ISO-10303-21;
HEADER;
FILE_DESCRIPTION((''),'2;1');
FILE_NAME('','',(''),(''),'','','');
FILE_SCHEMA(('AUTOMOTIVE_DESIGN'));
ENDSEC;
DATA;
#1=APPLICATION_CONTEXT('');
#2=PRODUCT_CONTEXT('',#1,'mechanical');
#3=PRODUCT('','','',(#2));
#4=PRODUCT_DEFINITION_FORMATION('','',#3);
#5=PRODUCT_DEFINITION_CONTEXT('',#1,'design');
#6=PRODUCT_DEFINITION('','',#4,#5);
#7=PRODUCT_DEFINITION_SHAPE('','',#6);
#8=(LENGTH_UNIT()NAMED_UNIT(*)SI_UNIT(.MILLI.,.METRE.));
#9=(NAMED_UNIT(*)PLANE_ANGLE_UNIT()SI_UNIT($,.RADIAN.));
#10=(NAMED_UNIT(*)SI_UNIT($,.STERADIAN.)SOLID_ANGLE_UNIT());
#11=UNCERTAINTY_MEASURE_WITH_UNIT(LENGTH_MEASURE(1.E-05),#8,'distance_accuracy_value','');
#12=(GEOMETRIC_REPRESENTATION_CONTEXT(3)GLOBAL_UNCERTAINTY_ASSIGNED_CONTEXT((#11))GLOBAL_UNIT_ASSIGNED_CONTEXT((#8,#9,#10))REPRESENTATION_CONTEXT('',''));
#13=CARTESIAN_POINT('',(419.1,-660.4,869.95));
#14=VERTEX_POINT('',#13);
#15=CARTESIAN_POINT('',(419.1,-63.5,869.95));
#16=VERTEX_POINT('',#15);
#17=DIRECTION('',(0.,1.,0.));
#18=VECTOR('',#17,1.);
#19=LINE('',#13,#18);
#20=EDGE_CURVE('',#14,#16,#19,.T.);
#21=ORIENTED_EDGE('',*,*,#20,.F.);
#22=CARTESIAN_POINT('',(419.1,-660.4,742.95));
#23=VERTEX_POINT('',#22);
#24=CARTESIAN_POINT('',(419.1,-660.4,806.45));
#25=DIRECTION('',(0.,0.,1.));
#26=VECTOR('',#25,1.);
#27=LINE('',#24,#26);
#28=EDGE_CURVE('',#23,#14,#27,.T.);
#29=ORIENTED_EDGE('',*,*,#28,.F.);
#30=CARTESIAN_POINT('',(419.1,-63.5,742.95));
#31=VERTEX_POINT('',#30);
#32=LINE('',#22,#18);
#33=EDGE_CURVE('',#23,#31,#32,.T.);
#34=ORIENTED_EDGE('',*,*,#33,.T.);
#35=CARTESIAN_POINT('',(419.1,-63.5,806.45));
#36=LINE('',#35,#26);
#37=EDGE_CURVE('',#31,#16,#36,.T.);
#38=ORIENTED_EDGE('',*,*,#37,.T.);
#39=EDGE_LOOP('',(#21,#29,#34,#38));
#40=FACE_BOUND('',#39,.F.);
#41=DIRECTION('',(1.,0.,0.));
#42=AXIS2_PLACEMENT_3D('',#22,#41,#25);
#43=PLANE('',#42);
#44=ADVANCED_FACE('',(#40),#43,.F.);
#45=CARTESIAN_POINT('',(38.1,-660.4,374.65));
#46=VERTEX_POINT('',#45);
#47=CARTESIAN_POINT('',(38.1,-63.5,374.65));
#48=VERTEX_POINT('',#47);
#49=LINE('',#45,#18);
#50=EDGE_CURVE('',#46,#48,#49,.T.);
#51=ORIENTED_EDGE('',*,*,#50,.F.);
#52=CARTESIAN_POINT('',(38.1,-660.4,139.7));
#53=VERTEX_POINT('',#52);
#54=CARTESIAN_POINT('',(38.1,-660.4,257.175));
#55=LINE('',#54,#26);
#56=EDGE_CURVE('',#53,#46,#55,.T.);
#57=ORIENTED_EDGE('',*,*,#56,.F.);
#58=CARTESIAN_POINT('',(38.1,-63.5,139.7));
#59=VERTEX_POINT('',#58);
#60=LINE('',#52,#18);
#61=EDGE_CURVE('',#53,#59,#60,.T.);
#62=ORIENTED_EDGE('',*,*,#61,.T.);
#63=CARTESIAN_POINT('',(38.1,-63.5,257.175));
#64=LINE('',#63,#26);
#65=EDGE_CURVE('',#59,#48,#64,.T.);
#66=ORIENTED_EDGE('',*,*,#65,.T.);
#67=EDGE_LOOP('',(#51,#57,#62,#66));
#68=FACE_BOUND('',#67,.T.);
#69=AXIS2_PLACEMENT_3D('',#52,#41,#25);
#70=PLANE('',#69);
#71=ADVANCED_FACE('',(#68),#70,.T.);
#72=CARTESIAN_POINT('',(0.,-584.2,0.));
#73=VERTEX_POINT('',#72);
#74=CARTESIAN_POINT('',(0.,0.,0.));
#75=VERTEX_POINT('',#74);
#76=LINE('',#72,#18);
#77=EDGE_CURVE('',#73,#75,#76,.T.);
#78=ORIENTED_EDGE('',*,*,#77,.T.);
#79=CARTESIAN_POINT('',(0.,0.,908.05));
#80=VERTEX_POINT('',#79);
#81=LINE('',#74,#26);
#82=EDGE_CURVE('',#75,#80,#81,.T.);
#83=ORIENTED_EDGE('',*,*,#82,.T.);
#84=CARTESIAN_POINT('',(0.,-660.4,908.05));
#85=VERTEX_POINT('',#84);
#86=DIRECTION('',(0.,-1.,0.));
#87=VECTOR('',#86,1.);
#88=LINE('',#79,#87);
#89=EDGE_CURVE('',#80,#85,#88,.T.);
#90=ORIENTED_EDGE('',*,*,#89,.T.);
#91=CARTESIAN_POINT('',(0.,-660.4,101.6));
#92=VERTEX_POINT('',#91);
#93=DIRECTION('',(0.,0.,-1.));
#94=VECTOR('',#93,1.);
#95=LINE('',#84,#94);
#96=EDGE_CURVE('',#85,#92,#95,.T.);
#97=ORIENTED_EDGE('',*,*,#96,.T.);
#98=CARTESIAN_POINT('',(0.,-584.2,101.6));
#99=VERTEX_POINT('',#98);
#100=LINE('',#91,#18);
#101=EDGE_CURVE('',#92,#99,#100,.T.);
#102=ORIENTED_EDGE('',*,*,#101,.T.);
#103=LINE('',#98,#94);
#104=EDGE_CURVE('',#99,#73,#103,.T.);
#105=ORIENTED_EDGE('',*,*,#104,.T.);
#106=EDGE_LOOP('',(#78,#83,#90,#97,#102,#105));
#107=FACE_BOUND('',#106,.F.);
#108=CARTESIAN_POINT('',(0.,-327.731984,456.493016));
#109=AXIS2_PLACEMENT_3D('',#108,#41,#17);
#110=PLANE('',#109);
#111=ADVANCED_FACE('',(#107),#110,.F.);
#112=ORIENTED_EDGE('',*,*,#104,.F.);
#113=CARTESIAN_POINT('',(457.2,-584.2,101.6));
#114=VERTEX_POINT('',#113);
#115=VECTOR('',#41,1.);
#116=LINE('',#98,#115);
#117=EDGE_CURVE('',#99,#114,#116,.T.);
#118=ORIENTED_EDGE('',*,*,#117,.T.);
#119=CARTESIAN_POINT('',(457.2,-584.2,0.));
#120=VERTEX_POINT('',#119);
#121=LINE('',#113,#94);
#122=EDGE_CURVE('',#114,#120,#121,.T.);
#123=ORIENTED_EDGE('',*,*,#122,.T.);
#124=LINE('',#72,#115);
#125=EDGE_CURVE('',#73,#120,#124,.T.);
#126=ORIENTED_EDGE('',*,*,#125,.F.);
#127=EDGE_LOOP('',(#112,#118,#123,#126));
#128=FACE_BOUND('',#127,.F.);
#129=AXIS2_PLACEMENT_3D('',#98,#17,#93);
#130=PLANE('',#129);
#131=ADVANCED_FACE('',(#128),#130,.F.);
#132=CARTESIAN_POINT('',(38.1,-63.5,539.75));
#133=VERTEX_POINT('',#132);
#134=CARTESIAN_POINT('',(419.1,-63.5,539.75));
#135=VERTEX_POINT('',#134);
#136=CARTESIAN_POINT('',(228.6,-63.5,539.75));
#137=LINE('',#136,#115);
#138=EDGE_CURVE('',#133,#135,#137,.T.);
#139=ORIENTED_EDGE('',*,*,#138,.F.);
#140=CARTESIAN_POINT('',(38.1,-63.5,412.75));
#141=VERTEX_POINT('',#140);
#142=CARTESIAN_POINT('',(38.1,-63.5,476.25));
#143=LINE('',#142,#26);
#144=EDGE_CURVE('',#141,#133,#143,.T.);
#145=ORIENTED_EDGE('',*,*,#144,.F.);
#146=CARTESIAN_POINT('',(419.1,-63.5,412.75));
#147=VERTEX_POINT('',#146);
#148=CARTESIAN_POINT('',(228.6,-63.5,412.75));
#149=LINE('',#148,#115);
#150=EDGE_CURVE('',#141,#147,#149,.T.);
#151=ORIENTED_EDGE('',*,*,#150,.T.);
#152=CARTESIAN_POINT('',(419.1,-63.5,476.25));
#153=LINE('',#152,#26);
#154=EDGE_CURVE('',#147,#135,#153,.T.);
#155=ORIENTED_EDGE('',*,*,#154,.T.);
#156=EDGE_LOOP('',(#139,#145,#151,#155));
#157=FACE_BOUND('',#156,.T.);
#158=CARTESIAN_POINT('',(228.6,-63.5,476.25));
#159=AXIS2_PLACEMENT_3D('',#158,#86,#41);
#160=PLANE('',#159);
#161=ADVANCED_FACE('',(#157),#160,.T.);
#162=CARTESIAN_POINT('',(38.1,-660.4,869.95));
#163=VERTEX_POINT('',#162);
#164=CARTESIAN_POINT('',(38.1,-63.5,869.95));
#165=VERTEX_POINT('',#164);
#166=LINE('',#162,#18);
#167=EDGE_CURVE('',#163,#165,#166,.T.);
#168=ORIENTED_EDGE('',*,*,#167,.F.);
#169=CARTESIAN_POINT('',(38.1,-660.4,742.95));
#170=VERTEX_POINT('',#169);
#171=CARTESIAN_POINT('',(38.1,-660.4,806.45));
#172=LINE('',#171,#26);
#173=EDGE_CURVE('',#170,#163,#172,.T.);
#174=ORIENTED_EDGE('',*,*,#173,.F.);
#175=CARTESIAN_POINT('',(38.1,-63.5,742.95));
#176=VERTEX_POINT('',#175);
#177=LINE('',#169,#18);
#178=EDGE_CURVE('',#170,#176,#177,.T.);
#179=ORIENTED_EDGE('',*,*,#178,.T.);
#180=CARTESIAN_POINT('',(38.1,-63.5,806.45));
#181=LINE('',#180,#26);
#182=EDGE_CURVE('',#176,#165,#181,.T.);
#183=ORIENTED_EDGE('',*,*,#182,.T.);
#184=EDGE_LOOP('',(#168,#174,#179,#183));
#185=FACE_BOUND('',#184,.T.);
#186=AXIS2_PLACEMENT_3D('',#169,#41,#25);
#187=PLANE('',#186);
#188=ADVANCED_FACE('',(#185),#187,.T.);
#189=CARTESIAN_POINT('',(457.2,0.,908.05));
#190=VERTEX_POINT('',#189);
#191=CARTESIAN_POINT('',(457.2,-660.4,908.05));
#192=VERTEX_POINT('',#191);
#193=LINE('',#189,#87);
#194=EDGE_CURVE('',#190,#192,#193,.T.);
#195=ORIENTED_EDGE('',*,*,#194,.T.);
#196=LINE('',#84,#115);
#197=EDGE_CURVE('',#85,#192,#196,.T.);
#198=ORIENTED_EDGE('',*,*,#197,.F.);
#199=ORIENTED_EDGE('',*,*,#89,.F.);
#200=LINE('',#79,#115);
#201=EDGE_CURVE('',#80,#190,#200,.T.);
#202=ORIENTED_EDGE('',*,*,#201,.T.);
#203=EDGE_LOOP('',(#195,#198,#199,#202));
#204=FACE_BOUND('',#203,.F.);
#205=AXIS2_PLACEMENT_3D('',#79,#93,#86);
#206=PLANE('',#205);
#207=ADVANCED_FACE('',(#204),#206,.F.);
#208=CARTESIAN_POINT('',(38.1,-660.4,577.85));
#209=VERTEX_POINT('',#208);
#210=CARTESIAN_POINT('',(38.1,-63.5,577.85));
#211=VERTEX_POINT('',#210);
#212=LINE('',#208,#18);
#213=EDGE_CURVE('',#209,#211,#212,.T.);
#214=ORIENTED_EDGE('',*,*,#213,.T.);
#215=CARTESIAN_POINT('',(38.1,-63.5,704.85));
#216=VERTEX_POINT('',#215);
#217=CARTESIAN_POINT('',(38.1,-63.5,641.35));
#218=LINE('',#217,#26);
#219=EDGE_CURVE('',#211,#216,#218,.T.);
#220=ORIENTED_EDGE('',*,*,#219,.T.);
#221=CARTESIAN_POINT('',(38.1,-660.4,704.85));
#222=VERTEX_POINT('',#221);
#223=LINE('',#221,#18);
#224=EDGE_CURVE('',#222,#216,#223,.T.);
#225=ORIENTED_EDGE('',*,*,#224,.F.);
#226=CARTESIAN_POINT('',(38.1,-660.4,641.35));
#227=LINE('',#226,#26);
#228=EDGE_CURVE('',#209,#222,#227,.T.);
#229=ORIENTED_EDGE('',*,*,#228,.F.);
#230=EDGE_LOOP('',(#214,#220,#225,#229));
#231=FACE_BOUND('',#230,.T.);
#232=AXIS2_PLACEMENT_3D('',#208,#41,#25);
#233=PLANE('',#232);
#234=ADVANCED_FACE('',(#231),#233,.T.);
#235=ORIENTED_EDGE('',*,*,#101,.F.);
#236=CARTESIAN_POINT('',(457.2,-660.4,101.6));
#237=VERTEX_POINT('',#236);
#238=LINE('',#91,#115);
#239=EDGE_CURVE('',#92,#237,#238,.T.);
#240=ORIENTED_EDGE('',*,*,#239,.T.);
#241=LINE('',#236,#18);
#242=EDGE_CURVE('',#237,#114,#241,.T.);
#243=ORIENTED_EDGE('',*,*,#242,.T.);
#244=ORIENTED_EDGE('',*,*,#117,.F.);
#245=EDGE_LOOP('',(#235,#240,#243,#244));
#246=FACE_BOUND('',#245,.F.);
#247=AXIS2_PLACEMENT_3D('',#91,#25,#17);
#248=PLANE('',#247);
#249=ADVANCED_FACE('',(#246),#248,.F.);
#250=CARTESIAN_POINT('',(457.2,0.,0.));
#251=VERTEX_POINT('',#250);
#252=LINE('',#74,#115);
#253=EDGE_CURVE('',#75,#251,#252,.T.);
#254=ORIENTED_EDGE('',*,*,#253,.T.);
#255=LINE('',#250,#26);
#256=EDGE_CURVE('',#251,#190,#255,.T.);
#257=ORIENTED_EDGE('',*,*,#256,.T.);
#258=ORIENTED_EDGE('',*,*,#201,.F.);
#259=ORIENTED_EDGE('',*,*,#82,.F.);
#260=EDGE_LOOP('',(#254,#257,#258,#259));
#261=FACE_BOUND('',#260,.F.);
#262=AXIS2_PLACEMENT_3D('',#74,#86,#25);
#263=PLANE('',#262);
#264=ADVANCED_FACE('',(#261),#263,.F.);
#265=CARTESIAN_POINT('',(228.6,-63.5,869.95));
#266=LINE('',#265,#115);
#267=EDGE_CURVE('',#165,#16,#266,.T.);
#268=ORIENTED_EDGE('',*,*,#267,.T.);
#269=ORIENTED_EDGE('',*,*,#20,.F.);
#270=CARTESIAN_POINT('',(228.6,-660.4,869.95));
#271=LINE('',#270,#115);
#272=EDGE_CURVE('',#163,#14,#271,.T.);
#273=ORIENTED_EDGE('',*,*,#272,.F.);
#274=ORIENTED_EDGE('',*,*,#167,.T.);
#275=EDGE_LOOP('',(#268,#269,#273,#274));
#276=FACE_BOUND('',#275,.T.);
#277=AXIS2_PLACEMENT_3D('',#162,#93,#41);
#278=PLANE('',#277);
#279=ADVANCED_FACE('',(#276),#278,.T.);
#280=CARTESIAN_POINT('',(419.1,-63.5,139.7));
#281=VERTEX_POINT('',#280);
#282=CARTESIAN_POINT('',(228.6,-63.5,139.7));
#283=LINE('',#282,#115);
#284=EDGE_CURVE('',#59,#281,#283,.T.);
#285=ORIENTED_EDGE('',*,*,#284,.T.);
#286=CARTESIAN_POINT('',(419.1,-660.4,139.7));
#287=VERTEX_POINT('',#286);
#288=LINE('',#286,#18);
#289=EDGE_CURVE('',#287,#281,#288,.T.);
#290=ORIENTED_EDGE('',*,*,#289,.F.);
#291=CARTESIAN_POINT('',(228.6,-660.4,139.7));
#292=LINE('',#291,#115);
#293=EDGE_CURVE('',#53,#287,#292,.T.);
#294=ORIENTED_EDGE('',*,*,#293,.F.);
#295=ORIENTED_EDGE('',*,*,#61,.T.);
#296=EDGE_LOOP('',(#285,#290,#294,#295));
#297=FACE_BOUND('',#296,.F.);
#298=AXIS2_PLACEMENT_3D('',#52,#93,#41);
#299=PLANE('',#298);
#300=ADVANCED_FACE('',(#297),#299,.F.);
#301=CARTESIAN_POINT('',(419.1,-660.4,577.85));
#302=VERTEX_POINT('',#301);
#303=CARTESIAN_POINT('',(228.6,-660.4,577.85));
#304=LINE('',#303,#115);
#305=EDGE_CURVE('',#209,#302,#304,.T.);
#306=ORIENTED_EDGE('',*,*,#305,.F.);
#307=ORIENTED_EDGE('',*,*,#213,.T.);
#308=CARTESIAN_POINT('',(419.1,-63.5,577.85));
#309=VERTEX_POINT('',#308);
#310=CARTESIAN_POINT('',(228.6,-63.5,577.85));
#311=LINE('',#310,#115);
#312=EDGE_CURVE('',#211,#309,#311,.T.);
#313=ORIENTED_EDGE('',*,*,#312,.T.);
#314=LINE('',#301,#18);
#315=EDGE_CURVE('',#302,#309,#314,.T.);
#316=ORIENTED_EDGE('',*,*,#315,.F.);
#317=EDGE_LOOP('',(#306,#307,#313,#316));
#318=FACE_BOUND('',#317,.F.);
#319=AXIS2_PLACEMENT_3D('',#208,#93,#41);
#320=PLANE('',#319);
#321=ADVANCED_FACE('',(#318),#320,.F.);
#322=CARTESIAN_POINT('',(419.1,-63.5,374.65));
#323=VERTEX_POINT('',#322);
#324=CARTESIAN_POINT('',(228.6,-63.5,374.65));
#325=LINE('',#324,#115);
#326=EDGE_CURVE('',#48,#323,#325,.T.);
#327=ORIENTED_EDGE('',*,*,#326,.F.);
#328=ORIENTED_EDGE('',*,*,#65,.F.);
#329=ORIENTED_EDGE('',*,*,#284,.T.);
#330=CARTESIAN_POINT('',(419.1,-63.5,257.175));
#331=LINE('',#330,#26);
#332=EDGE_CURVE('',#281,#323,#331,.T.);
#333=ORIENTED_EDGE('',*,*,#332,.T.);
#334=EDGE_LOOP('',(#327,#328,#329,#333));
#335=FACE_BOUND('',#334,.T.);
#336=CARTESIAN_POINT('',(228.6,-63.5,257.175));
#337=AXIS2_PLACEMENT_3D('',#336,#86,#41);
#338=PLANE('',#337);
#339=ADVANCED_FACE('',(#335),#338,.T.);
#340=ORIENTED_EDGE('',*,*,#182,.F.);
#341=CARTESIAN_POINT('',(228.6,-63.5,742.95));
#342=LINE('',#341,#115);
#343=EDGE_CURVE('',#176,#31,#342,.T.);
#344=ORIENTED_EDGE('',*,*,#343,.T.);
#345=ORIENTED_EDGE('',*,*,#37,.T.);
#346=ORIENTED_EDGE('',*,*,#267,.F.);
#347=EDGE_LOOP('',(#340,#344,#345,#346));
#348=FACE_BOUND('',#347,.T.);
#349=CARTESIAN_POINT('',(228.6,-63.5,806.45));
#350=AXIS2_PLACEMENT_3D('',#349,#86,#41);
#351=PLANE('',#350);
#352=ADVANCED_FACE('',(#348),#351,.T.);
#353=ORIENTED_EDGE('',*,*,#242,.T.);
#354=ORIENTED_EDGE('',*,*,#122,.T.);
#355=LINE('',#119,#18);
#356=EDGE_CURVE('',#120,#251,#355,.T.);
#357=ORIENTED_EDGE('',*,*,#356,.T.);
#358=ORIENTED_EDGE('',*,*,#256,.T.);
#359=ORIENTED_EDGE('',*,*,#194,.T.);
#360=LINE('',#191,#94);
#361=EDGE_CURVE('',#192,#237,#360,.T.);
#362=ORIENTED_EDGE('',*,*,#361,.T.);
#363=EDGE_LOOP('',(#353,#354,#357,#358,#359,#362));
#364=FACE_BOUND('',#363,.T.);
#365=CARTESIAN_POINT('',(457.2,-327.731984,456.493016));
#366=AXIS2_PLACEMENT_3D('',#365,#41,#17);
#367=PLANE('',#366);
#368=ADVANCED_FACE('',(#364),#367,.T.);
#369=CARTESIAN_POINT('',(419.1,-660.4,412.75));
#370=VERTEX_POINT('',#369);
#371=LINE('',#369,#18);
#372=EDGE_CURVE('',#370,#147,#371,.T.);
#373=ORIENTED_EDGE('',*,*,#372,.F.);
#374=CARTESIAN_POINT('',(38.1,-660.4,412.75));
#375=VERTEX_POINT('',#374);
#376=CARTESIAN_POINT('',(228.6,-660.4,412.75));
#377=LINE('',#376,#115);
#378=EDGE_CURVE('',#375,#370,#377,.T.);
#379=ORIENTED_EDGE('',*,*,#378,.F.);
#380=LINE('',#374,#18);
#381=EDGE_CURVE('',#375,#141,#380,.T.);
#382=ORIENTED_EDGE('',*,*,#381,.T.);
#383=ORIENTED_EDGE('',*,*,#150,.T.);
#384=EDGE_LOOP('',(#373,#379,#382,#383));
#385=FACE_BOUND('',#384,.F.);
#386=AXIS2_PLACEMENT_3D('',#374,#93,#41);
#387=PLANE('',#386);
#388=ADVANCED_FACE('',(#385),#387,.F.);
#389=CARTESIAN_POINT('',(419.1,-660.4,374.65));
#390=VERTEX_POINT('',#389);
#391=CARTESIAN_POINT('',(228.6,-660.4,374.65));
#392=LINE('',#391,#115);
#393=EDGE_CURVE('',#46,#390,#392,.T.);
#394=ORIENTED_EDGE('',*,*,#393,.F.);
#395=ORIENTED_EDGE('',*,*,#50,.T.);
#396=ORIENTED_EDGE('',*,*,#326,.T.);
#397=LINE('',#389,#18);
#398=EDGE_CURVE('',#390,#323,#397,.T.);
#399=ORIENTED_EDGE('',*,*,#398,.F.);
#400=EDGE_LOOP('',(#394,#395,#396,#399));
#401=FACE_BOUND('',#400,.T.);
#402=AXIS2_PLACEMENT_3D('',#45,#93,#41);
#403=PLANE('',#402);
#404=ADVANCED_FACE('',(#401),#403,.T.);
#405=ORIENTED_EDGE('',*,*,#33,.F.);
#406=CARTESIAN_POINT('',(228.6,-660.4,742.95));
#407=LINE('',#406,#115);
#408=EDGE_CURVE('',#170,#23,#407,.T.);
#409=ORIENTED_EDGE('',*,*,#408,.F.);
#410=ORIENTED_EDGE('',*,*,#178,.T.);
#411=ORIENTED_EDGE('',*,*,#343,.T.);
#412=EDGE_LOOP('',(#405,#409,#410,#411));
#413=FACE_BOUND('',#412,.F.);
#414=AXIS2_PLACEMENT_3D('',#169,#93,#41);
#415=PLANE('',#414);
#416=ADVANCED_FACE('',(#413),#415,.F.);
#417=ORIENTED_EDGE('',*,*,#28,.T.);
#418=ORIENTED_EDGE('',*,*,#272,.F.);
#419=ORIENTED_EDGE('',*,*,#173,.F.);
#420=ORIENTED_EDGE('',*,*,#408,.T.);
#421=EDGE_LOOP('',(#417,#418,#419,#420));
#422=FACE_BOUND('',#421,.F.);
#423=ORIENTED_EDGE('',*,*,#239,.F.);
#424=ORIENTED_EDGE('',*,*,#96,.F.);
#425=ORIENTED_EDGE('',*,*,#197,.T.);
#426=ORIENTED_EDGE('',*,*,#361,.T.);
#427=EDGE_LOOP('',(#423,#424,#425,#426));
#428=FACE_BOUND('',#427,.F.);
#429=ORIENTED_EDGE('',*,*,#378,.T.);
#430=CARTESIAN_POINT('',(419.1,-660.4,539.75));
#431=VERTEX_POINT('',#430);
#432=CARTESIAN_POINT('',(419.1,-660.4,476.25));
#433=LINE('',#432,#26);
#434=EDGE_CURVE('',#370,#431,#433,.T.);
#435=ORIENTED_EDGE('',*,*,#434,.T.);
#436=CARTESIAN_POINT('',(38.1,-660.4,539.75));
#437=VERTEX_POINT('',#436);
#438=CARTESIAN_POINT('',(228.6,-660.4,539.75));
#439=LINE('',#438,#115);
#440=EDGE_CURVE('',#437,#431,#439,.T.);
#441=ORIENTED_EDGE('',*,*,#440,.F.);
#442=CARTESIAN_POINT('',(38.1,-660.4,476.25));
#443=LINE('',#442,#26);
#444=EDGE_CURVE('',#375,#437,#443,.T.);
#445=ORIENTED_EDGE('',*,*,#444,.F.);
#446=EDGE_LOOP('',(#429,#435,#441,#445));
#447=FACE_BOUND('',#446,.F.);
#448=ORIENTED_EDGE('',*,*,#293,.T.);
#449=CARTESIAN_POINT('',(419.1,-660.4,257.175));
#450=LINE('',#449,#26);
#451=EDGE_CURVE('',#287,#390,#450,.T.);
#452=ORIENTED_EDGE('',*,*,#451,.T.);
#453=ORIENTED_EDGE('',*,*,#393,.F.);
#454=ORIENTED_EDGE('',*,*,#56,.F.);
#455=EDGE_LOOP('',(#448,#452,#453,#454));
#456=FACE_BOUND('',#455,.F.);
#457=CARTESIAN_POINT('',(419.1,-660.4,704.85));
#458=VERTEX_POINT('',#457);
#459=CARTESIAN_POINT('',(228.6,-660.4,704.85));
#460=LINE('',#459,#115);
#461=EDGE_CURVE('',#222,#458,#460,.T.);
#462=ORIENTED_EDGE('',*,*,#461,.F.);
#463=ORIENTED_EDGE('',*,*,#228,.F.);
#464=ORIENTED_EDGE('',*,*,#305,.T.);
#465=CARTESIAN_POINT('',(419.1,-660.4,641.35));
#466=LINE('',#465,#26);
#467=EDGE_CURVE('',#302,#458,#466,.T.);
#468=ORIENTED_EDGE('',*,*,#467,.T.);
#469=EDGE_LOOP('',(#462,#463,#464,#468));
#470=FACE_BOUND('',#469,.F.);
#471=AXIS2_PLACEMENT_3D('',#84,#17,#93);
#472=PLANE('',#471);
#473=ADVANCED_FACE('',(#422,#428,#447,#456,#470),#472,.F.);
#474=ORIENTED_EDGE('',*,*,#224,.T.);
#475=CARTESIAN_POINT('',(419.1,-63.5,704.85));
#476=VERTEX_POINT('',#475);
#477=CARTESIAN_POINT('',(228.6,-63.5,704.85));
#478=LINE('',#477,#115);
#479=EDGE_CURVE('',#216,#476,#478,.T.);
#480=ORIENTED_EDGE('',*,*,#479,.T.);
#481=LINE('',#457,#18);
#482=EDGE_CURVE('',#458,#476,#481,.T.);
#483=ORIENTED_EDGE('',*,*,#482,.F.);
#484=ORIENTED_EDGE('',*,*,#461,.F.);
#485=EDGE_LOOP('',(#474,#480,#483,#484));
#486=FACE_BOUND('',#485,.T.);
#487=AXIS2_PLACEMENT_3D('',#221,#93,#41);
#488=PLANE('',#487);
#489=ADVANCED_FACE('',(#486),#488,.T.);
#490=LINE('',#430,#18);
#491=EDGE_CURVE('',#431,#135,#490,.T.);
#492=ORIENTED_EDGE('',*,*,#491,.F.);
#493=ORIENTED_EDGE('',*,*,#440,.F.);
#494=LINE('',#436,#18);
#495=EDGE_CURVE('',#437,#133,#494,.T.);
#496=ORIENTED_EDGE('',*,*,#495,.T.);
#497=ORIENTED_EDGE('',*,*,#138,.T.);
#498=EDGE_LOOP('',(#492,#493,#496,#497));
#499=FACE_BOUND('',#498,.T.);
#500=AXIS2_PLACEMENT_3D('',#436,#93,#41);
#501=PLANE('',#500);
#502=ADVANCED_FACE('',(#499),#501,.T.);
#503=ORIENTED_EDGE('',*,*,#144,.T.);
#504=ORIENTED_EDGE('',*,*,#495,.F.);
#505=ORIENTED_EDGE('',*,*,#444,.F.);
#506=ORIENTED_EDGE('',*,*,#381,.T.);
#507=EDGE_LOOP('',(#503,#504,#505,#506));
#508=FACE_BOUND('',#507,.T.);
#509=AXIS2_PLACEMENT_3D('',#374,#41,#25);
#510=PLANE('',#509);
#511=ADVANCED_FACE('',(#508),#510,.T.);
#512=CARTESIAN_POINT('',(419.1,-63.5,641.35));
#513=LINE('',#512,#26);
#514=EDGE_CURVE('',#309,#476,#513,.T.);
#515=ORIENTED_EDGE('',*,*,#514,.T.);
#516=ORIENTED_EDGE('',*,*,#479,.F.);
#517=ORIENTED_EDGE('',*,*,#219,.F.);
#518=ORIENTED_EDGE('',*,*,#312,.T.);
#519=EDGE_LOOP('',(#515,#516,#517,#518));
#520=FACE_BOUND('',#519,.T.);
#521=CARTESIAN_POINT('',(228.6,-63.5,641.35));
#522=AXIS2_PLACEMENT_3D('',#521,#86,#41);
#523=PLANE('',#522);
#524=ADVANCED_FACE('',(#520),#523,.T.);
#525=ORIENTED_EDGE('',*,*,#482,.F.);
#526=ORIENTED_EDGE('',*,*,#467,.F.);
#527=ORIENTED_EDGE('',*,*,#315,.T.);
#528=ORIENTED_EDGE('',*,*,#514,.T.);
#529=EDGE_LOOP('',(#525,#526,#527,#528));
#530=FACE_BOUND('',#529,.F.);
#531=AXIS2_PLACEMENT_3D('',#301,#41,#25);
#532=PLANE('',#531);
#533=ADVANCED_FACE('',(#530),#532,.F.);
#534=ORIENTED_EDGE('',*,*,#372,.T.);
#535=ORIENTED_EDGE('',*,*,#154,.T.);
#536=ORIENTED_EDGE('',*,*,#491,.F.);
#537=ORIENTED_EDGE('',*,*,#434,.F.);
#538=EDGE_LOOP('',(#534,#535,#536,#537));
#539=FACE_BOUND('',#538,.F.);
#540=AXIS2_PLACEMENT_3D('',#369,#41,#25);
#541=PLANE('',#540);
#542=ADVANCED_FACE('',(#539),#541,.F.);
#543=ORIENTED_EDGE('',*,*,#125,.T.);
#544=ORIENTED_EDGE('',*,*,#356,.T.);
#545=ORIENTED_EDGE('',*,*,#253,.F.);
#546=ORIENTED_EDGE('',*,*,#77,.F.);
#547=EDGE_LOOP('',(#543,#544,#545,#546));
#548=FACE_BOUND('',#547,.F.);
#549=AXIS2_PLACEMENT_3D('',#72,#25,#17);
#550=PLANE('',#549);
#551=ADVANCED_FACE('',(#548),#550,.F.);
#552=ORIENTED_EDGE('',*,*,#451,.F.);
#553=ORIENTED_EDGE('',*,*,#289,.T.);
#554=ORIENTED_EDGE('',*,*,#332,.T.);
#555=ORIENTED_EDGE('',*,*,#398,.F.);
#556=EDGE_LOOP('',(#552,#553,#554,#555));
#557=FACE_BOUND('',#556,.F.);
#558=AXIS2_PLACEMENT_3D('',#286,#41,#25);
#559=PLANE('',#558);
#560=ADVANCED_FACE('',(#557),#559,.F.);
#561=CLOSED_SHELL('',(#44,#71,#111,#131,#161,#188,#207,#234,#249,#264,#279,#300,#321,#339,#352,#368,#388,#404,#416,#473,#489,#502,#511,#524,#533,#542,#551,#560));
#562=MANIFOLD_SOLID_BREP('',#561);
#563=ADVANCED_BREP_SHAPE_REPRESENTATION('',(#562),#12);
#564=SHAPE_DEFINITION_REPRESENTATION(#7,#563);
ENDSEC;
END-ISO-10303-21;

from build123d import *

# Parameters (mm, degrees)
F1_DEPTH = 457.2
F2_W     = 381
F2_H     = 127
F2_H_2   = 234.95
F3_DEPTH = 596.9


with BuildPart() as f1:
    # F0 (on Right) → F1 (new body)
    with BuildSketch(Plane.YZ):
        Polygon((-584.2, 0), (0, 0), (0, 908.05), (-660.4, 908.05), (-660.4, 101.6), (-584.2, 101.6), align=None)
    extrude(amount=F1_DEPTH)

    # F2 (on face) → F3 (cut)
    with BuildSketch(Plane.XZ.offset(660.4)):
        with Locations((228.6, 806.45)):
            Rectangle(F2_W, F2_H)
        with Locations((228.6, 641.35)):
            Rectangle(F2_W, F2_H)
        with Locations((228.6, 476.25)):
            Rectangle(F2_W, F2_H)
        with Locations((228.6, 257.175)):
            Rectangle(F2_W, F2_H_2)
    extrude(amount=-F3_DEPTH, mode=Mode.SUBTRACT)


solid = f1.part
